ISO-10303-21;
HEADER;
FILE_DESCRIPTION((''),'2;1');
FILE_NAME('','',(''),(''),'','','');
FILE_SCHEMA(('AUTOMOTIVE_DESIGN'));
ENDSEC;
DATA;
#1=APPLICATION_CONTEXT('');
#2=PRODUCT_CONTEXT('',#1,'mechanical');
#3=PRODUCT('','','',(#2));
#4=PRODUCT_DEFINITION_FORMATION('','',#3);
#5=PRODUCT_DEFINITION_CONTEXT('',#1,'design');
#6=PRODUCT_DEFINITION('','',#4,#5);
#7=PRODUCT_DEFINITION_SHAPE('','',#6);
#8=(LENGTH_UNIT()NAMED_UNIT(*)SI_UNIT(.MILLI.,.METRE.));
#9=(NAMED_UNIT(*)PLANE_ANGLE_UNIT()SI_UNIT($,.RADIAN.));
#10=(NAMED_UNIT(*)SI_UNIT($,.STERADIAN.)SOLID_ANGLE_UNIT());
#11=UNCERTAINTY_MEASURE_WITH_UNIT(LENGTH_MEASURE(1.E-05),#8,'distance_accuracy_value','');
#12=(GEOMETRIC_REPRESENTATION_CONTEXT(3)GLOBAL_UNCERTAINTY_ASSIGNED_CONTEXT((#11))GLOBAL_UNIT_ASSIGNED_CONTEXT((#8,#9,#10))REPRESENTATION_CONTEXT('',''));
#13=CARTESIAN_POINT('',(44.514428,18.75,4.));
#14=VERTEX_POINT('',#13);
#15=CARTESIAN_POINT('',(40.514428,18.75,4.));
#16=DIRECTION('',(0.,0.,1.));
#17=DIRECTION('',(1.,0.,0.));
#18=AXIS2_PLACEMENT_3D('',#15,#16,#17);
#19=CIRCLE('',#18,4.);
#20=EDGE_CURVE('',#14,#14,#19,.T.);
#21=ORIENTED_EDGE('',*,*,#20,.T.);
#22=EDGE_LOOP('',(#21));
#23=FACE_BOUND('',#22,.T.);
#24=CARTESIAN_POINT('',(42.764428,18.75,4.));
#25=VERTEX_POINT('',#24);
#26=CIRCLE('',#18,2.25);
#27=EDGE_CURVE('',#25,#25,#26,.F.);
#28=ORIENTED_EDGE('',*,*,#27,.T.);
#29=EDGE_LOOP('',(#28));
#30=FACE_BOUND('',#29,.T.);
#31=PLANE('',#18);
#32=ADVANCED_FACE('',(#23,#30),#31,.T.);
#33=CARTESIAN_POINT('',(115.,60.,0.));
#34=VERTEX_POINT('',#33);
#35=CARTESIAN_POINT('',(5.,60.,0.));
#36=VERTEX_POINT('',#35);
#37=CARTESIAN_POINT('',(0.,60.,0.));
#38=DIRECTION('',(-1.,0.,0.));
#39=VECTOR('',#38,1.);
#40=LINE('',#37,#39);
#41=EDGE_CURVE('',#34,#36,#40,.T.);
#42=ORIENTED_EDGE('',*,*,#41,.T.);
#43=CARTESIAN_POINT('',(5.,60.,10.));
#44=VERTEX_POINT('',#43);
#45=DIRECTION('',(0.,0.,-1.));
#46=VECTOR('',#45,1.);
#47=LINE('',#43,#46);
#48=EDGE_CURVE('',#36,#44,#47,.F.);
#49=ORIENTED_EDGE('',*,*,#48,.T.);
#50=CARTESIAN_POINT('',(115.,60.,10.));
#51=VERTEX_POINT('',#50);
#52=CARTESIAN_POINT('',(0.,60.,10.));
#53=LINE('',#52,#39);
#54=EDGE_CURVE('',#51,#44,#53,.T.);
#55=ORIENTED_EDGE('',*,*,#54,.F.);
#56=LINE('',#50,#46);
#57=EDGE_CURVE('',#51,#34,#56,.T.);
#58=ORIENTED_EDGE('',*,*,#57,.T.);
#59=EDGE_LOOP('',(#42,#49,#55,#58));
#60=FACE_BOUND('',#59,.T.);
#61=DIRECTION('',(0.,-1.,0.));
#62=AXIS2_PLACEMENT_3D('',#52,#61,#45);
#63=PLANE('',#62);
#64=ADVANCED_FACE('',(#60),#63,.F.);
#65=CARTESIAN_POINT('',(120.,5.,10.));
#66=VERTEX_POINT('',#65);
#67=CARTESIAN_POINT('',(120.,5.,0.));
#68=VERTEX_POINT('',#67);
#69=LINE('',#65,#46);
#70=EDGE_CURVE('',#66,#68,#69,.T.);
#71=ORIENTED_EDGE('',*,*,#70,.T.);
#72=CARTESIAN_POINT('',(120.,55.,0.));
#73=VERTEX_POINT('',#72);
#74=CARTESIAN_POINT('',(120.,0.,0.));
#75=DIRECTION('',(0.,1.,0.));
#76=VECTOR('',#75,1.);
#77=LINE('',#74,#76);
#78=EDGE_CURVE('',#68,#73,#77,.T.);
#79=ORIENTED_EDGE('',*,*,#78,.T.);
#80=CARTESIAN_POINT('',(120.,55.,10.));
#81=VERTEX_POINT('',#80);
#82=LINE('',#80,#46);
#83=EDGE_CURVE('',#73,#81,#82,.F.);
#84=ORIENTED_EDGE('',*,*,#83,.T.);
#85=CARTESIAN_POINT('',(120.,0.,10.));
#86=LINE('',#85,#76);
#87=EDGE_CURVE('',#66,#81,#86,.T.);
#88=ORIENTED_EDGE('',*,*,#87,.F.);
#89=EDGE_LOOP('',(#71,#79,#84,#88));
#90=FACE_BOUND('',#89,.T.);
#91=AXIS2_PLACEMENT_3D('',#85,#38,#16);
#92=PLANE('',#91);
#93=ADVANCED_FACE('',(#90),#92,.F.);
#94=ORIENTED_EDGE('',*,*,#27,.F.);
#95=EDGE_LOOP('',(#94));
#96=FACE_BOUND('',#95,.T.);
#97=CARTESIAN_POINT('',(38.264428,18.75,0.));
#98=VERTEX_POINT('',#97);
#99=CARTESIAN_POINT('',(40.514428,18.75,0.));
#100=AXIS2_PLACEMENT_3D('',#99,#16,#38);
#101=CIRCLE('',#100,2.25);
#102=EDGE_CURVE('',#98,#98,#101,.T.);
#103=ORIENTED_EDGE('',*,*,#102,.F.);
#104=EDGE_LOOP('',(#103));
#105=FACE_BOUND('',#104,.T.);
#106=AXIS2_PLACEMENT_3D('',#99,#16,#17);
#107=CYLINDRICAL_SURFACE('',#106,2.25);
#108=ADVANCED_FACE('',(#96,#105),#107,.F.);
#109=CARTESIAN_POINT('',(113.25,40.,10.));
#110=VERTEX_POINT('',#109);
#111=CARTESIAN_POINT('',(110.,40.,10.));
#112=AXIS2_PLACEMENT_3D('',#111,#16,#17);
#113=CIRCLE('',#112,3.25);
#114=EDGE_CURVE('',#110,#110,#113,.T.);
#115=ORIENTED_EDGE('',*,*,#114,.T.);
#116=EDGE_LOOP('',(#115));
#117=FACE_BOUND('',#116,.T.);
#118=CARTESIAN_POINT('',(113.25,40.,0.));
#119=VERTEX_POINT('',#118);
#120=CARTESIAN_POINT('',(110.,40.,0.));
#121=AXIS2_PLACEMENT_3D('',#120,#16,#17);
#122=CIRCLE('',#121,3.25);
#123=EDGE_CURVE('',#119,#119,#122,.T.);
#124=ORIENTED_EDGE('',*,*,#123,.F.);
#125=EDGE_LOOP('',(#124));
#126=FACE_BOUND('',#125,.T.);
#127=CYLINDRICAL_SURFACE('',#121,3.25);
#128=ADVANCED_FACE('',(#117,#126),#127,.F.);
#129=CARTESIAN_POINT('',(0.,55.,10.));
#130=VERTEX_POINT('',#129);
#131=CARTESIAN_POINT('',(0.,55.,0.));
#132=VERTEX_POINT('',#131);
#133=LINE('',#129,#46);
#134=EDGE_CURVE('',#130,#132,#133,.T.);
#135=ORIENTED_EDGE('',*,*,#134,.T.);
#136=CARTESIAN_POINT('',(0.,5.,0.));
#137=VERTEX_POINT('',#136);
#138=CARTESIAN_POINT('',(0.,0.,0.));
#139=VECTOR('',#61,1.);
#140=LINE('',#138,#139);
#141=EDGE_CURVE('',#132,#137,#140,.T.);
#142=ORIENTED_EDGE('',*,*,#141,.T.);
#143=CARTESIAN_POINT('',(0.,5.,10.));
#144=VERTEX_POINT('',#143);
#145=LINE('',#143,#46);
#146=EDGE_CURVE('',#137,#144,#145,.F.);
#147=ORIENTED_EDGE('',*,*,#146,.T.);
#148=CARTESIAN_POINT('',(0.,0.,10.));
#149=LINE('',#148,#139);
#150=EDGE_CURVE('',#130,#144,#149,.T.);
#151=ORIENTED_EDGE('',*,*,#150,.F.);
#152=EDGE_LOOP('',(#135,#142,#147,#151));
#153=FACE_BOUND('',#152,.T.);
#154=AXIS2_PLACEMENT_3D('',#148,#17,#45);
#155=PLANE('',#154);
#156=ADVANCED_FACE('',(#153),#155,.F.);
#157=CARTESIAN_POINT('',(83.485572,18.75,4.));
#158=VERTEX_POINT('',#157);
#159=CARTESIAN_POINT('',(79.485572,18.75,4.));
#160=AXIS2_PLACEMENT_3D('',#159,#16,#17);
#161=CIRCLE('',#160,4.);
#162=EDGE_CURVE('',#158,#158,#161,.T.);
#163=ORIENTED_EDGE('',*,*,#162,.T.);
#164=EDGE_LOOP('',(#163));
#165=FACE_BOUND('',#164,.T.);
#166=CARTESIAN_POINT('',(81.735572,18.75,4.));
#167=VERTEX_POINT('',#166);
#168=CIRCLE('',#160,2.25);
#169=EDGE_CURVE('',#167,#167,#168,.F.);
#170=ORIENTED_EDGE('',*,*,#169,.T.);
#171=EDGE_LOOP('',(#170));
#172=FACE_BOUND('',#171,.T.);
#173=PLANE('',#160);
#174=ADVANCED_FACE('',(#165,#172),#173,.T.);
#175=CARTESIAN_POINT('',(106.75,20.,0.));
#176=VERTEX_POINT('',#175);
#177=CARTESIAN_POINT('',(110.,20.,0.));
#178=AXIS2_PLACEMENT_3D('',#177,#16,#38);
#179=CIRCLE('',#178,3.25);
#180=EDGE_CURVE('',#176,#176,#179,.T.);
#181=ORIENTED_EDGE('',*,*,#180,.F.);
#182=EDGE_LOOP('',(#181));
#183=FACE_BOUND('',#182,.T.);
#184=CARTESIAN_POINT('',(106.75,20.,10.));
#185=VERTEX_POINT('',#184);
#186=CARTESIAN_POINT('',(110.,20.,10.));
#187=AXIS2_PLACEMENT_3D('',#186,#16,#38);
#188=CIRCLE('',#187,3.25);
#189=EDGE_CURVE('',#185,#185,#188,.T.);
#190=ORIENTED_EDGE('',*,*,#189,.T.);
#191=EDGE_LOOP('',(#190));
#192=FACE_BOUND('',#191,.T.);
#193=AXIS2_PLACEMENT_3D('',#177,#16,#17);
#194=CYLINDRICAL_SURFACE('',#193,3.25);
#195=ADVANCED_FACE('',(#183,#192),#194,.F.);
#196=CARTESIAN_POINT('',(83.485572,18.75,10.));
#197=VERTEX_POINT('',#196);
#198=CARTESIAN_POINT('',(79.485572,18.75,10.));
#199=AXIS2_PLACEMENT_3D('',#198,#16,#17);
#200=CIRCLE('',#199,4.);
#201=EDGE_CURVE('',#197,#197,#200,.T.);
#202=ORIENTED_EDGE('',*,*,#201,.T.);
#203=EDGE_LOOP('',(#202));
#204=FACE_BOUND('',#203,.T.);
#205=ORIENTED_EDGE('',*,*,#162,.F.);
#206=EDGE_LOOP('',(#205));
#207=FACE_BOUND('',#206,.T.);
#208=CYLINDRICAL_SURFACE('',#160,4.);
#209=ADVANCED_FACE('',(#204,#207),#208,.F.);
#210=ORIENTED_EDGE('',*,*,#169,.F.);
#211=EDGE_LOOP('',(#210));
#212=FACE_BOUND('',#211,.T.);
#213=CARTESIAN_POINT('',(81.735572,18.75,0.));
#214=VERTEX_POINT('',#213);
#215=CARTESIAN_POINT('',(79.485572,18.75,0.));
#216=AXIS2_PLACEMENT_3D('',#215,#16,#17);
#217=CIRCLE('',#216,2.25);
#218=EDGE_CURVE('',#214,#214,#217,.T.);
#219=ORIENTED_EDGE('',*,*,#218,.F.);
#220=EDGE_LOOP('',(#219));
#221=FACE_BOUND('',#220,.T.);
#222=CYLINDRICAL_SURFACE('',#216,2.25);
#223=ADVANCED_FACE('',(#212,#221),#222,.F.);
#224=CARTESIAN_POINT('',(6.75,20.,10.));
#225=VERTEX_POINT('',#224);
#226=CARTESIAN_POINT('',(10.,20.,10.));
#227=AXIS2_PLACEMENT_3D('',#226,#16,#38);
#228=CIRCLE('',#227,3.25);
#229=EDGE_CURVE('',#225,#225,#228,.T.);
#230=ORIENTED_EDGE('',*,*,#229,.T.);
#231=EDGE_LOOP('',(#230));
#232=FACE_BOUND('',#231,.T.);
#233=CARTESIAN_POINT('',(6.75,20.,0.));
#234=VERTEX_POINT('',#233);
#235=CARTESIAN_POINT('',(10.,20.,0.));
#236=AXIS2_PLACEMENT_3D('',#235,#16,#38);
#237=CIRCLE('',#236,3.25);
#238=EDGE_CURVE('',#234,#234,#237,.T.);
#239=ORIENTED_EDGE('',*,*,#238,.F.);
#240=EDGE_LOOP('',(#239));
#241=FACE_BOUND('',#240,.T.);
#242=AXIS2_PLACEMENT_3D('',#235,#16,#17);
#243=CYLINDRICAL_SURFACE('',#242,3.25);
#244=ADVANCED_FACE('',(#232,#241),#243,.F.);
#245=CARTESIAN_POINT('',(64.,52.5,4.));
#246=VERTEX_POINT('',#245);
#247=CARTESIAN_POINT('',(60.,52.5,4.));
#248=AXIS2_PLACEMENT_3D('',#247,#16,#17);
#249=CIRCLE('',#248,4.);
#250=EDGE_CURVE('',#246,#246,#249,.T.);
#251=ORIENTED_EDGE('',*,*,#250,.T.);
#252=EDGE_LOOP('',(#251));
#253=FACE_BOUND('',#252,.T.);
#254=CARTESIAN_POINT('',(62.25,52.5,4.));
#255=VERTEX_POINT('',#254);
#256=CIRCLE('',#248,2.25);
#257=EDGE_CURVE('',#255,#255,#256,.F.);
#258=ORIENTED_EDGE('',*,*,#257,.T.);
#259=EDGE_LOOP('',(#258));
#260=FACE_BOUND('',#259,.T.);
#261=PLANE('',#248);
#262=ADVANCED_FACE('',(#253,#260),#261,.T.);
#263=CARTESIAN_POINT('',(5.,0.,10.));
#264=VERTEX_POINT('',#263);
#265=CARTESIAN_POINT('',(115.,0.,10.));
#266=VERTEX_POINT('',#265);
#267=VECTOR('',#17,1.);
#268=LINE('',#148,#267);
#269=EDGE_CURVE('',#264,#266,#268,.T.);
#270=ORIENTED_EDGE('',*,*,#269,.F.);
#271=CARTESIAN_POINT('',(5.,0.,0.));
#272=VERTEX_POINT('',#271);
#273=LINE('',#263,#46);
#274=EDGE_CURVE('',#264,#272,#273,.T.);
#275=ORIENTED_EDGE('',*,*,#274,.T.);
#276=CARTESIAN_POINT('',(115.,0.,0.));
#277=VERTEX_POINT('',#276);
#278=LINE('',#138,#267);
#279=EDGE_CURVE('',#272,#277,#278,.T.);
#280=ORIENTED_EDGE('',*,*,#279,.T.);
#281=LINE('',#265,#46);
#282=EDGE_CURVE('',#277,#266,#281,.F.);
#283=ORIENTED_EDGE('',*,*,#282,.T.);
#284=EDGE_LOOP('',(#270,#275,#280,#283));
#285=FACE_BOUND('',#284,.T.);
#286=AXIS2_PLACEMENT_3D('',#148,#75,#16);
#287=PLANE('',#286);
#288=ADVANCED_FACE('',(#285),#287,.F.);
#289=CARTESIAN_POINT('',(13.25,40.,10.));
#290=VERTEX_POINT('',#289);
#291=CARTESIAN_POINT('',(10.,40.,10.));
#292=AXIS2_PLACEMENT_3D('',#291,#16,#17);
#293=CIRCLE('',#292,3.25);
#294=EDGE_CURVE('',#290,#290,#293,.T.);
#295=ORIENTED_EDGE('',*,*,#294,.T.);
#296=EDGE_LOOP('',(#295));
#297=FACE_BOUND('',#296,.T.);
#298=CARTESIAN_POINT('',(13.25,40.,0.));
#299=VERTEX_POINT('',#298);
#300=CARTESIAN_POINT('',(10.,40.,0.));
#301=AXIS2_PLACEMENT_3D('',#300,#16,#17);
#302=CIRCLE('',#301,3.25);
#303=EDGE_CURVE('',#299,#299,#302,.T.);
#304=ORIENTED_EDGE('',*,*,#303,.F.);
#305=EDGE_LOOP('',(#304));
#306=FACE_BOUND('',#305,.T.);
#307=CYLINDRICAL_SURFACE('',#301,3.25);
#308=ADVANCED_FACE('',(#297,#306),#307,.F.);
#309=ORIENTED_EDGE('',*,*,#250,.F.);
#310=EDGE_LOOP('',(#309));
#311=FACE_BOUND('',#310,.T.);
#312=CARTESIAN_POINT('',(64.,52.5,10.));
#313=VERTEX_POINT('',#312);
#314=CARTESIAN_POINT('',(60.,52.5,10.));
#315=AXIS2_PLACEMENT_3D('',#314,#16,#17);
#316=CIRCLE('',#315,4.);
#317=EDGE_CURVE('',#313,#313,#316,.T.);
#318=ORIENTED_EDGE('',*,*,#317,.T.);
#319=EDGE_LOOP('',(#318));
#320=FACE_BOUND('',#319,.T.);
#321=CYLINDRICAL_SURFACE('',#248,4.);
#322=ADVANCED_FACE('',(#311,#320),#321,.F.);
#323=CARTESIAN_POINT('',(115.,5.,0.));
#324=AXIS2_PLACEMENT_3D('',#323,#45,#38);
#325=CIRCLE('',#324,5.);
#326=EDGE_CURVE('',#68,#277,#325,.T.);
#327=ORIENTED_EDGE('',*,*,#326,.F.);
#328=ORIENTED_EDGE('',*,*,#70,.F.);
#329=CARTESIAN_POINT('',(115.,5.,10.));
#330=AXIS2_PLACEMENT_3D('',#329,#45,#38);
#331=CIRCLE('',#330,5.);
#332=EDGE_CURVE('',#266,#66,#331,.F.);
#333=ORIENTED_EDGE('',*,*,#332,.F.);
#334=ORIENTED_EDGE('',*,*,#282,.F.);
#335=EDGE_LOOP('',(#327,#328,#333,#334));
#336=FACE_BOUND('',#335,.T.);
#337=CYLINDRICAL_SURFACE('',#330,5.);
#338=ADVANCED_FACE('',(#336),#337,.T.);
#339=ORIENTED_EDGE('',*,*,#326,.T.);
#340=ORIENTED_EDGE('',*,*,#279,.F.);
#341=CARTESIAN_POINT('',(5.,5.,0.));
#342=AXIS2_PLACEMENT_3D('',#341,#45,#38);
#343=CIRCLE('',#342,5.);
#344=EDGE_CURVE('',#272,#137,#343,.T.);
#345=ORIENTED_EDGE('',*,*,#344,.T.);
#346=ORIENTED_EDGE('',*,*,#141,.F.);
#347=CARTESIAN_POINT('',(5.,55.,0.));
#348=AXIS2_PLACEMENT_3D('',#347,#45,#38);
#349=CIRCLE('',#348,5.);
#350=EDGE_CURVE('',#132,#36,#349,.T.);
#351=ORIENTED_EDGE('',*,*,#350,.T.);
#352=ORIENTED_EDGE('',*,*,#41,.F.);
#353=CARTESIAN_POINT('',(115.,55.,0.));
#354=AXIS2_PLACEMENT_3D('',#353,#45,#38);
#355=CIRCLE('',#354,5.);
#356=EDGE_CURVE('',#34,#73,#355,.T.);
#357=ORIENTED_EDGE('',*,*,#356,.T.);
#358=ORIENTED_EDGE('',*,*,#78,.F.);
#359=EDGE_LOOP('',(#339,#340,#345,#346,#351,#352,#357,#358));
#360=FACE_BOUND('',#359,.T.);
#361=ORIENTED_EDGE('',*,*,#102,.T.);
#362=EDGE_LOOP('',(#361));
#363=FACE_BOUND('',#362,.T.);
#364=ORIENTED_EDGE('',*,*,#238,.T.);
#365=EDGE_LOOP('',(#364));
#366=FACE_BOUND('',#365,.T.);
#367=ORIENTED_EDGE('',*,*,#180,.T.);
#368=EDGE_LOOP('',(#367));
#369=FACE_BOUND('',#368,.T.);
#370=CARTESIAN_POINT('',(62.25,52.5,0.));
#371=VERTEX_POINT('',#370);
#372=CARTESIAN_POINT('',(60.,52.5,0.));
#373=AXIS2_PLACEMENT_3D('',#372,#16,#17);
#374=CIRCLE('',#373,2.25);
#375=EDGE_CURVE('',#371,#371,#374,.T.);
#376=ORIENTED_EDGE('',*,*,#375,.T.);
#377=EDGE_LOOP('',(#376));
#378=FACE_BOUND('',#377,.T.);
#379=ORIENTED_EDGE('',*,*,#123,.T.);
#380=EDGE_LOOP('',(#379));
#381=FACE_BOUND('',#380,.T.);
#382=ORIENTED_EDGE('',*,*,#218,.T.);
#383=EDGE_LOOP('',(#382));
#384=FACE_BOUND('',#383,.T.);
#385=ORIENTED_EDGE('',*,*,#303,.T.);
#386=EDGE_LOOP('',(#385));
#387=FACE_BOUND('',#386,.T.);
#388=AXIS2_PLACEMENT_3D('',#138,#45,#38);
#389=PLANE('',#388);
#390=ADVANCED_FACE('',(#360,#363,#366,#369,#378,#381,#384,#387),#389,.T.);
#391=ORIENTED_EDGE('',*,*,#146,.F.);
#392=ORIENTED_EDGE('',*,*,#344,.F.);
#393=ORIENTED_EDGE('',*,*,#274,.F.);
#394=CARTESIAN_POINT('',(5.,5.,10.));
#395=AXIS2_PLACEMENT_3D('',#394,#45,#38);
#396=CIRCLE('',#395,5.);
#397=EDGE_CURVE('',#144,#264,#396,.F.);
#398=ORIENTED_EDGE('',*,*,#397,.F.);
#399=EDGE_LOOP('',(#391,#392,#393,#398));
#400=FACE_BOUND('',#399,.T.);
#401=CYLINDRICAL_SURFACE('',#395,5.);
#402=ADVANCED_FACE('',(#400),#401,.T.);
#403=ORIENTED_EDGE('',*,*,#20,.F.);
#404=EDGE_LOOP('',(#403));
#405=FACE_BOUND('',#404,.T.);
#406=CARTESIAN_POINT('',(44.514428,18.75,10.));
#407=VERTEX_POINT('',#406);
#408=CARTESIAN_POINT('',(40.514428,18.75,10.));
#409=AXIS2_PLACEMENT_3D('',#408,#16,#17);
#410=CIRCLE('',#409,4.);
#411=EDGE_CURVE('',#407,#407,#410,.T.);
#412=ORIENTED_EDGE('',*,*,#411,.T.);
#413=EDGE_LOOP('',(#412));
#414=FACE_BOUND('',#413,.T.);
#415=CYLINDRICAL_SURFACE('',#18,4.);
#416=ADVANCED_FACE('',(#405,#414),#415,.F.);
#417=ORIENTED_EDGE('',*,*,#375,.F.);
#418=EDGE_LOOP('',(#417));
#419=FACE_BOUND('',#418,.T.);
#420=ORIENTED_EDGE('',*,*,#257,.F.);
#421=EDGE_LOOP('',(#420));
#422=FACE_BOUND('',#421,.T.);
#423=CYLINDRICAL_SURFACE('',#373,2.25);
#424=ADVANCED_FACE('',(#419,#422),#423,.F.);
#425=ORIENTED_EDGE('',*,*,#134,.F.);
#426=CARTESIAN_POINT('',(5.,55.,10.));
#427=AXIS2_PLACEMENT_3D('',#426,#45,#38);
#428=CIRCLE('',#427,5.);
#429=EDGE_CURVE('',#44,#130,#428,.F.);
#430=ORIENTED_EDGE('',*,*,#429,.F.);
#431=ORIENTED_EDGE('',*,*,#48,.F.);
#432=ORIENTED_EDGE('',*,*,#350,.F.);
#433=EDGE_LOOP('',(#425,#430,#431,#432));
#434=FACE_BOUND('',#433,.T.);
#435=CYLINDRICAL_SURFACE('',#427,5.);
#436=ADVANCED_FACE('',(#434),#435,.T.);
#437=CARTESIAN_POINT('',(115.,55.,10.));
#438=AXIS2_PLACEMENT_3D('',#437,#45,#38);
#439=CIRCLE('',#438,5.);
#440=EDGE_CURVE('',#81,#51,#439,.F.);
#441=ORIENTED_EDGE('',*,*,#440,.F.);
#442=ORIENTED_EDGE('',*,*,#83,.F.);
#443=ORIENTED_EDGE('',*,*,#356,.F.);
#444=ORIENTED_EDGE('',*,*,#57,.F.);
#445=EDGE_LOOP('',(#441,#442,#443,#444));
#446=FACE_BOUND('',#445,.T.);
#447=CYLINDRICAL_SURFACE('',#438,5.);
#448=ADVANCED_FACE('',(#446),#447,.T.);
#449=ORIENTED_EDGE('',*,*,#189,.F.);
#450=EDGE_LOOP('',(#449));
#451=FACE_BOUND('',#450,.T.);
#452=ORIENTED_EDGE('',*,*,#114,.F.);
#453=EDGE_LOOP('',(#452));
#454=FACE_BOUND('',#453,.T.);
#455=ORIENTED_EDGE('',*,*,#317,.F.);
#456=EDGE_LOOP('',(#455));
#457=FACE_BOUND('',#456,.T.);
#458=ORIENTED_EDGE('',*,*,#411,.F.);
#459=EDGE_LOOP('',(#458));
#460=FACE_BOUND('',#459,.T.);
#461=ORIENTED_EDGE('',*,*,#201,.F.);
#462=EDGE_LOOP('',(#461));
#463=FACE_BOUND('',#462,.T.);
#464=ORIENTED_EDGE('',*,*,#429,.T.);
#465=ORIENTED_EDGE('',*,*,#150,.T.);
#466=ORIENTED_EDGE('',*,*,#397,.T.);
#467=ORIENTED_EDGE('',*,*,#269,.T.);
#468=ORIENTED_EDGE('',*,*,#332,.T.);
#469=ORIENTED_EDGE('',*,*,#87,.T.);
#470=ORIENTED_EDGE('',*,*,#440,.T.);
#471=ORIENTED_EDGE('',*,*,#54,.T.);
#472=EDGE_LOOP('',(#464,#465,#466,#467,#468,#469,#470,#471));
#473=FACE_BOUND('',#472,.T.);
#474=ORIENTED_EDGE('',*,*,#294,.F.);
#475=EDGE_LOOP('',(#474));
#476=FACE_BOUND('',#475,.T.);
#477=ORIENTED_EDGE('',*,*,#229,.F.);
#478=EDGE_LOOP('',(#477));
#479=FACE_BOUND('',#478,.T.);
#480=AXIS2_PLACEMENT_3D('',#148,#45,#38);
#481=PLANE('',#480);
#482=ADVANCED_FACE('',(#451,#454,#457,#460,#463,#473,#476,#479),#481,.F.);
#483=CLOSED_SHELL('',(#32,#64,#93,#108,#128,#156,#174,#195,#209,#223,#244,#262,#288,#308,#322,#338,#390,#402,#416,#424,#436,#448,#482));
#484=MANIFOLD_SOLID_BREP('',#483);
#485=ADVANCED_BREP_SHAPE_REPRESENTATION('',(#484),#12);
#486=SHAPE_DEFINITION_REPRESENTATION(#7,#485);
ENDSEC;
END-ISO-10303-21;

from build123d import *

# Parameters (mm, degrees)
SKETCH_1_W          = 120
SKETCH_1_H          = 60
EXTRUDE_1_DEPTH     = 10
SKETCH_2_R          = 3.25
CUT_EXTRUDE_1_DEPTH = 135.536240471
SKETCH_3_R          = 2.25
CUT_EXTRUDE_2_DEPTH = 135.536240471
SKETCH_4_R          = 4
CUT_EXTRUDE_3_DEPTH = 6
FILLET_1_R          = 5


with BuildPart() as part:
    # ｽｹｯﾁ1 → ﾎﾞｽ - 押し出し1 (new body)
    with BuildSketch(Plane.XY):
        with Locations((60, 30)):
            Rectangle(SKETCH_1_W, SKETCH_1_H)
    extrude(amount=EXTRUDE_1_DEPTH)

    # ｽｹｯﾁ2 → ｶｯﾄ - 押し出し1 (cut, through all)
    with BuildSketch(Plane.XY.offset(10)):
        with Locations((10, 40)):
            Circle(SKETCH_2_R)
        with Locations((110, 40)):
            Circle(SKETCH_2_R)
        with Locations(Location((110, 20, 0), (0, 0, 180))):
            Circle(SKETCH_2_R)
        with Locations(Location((10, 20, 0), (0, 0, 180))):
            Circle(SKETCH_2_R)
    extrude(amount=-CUT_EXTRUDE_1_DEPTH, mode=Mode.SUBTRACT)

    # ｽｹｯﾁ3 → ｶｯﾄ - 押し出し2 (cut, through all)
    with BuildSketch(Plane.XY.offset(10)):
        with Locations((60, 52.5)):
            Circle(SKETCH_3_R)
        with Locations((79.485571585, 18.75)):
            Circle(SKETCH_3_R)
        with Locations(Location((40.514428415, 18.75, 0), (0, 0, 180))):
            Circle(SKETCH_3_R)
    extrude(amount=-CUT_EXTRUDE_2_DEPTH, mode=Mode.SUBTRACT)

    # ｽｹｯﾁ4 → ｶｯﾄ - 押し出し3 (cut)
    with BuildSketch(Plane.XY.offset(10)):
        with Locations((60, 52.5)):
            Circle(SKETCH_4_R)
        with Locations((79.485571585, 18.75)):
            Circle(SKETCH_4_R)
        with Locations((40.514428415, 18.75)):
            Circle(SKETCH_4_R)
    extrude(amount=-CUT_EXTRUDE_3_DEPTH, mode=Mode.SUBTRACT)

    # ﾌｨﾚｯﾄ1
    fillet_1_edges = [part.edges().sort_by_distance(p)[0] for p in [
        (0, 60, 5),
        (120, 60, 5),
        (120, 0, 5),
        (0, 0, 5),
    ]]
    fillet(fillet_1_edges, radius=FILLET_1_R)


solid = part.part
